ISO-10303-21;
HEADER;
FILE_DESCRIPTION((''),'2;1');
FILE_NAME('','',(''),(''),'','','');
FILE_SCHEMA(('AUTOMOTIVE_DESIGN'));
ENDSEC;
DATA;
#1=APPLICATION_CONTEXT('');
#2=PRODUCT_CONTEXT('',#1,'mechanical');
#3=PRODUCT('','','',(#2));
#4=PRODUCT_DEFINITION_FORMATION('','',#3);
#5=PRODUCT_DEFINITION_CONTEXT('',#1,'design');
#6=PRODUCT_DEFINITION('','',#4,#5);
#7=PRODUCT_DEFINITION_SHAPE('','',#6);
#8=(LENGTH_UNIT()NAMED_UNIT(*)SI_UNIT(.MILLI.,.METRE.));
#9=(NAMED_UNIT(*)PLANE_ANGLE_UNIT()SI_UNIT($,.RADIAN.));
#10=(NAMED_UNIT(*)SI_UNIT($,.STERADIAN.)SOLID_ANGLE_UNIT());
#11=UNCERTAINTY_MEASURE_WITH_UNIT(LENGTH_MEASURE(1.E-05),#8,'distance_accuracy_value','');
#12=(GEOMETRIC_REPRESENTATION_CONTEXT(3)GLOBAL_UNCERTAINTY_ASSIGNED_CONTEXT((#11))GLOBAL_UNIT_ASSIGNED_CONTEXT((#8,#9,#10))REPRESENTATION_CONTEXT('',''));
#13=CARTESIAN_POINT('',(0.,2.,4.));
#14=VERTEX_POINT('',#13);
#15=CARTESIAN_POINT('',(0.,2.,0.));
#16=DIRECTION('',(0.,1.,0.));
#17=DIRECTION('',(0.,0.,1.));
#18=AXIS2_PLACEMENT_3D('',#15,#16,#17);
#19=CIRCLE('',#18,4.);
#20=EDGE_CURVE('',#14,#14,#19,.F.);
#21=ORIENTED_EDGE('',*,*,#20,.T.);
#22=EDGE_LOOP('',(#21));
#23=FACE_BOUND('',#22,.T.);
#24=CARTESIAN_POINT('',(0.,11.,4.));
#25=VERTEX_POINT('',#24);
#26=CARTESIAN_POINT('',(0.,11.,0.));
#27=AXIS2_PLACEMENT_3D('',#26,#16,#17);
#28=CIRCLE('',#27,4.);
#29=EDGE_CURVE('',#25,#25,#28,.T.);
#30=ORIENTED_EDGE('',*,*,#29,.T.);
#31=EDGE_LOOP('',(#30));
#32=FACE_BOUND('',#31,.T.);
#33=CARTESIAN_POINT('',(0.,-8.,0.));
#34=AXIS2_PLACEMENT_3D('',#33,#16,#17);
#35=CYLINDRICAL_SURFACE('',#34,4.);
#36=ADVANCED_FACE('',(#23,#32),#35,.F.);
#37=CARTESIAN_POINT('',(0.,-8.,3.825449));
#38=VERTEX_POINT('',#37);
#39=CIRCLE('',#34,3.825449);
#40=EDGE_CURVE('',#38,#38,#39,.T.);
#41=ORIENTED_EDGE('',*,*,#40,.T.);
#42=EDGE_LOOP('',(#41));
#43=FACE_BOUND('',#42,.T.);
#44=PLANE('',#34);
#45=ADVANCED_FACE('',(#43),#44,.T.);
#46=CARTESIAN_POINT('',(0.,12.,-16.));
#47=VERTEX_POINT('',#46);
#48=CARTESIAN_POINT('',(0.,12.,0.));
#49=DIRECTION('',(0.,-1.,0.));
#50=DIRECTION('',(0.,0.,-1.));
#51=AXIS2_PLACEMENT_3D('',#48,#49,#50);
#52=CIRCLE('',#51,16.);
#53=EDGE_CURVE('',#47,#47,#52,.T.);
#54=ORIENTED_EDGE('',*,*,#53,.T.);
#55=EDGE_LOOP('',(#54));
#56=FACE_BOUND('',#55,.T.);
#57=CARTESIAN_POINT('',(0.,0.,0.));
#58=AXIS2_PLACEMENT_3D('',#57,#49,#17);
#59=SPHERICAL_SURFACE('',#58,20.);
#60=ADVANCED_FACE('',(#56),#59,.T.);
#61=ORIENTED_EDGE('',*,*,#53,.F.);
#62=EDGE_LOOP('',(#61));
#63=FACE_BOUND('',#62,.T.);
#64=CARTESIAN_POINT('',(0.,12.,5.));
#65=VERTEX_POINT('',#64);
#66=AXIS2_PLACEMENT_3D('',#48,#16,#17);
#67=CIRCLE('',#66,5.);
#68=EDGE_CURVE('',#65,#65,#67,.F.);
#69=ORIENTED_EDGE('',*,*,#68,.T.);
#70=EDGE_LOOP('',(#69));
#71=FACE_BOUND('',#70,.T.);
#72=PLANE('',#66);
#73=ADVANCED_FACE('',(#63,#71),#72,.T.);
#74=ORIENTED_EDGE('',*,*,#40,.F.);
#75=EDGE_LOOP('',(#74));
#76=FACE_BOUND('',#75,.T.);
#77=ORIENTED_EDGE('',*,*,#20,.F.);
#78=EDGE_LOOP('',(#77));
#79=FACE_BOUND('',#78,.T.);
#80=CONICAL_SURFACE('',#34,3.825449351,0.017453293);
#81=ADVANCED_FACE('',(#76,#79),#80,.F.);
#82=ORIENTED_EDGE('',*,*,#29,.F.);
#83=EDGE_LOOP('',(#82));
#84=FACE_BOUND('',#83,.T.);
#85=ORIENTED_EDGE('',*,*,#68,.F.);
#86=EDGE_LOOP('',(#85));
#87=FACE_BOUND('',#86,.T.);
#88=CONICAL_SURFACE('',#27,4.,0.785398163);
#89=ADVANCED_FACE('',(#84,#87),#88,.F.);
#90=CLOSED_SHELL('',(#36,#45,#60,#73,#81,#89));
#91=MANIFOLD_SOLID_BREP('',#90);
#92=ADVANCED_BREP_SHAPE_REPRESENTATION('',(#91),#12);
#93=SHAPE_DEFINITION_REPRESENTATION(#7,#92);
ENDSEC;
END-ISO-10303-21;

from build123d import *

# Parameters (mm, degrees)
SKETCH2_R          = 4
CUT_EXTRUDE1_DEPTH = 20
CHAMFER1_SIZE      = 10
CHAMFER1_SIZE2     = 0.174550649
CHAMFER2_SIZE      = 1


with BuildPart() as part:
    # Sketch1 → Revolve2 (revolve)
    with BuildSketch(Plane(origin=(0, 0, 0), x_dir=(0, 0, -1), z_dir=(1, 0, 0))):
        with BuildLine():
            Line((0, 12), (16, 12))
            ThreePointArc((16, 12), (17.88854382, -8.94427191), (0, -20))
            Line((0, -20), (0, 12))
        make_face()
    revolve(axis=Axis((0, -20, 0), (0, 1, 0)))

    # Sketch2 → Cut-Extrude1 (cut)
    with BuildSketch(Plane(origin=(0, 12, 0), x_dir=(1, 0, 0), z_dir=(0, 1, 0))):
        Circle(SKETCH2_R)
    extrude(amount=-CUT_EXTRUDE1_DEPTH, mode=Mode.SUBTRACT)

    # Chamfer1
    chamfer1_edges = [part.edges().sort_by_distance(p)[0] for p in [
        (-4, -8, 0),
    ]]
    chamfer1_side = [part.faces().sort_by_distance(p)[0] for p in [
        (-4, 2, 0),
    ]]
    chamfer(chamfer1_edges, length=CHAMFER1_SIZE, length2=CHAMFER1_SIZE2, reference=chamfer1_side[0])

    # Chamfer2
    chamfer2_edges = [part.edges().sort_by_distance(p)[0] for p in [
        (-4, 12, 0),
    ]]
    chamfer(chamfer2_edges, length=CHAMFER2_SIZE)


solid = part.part
